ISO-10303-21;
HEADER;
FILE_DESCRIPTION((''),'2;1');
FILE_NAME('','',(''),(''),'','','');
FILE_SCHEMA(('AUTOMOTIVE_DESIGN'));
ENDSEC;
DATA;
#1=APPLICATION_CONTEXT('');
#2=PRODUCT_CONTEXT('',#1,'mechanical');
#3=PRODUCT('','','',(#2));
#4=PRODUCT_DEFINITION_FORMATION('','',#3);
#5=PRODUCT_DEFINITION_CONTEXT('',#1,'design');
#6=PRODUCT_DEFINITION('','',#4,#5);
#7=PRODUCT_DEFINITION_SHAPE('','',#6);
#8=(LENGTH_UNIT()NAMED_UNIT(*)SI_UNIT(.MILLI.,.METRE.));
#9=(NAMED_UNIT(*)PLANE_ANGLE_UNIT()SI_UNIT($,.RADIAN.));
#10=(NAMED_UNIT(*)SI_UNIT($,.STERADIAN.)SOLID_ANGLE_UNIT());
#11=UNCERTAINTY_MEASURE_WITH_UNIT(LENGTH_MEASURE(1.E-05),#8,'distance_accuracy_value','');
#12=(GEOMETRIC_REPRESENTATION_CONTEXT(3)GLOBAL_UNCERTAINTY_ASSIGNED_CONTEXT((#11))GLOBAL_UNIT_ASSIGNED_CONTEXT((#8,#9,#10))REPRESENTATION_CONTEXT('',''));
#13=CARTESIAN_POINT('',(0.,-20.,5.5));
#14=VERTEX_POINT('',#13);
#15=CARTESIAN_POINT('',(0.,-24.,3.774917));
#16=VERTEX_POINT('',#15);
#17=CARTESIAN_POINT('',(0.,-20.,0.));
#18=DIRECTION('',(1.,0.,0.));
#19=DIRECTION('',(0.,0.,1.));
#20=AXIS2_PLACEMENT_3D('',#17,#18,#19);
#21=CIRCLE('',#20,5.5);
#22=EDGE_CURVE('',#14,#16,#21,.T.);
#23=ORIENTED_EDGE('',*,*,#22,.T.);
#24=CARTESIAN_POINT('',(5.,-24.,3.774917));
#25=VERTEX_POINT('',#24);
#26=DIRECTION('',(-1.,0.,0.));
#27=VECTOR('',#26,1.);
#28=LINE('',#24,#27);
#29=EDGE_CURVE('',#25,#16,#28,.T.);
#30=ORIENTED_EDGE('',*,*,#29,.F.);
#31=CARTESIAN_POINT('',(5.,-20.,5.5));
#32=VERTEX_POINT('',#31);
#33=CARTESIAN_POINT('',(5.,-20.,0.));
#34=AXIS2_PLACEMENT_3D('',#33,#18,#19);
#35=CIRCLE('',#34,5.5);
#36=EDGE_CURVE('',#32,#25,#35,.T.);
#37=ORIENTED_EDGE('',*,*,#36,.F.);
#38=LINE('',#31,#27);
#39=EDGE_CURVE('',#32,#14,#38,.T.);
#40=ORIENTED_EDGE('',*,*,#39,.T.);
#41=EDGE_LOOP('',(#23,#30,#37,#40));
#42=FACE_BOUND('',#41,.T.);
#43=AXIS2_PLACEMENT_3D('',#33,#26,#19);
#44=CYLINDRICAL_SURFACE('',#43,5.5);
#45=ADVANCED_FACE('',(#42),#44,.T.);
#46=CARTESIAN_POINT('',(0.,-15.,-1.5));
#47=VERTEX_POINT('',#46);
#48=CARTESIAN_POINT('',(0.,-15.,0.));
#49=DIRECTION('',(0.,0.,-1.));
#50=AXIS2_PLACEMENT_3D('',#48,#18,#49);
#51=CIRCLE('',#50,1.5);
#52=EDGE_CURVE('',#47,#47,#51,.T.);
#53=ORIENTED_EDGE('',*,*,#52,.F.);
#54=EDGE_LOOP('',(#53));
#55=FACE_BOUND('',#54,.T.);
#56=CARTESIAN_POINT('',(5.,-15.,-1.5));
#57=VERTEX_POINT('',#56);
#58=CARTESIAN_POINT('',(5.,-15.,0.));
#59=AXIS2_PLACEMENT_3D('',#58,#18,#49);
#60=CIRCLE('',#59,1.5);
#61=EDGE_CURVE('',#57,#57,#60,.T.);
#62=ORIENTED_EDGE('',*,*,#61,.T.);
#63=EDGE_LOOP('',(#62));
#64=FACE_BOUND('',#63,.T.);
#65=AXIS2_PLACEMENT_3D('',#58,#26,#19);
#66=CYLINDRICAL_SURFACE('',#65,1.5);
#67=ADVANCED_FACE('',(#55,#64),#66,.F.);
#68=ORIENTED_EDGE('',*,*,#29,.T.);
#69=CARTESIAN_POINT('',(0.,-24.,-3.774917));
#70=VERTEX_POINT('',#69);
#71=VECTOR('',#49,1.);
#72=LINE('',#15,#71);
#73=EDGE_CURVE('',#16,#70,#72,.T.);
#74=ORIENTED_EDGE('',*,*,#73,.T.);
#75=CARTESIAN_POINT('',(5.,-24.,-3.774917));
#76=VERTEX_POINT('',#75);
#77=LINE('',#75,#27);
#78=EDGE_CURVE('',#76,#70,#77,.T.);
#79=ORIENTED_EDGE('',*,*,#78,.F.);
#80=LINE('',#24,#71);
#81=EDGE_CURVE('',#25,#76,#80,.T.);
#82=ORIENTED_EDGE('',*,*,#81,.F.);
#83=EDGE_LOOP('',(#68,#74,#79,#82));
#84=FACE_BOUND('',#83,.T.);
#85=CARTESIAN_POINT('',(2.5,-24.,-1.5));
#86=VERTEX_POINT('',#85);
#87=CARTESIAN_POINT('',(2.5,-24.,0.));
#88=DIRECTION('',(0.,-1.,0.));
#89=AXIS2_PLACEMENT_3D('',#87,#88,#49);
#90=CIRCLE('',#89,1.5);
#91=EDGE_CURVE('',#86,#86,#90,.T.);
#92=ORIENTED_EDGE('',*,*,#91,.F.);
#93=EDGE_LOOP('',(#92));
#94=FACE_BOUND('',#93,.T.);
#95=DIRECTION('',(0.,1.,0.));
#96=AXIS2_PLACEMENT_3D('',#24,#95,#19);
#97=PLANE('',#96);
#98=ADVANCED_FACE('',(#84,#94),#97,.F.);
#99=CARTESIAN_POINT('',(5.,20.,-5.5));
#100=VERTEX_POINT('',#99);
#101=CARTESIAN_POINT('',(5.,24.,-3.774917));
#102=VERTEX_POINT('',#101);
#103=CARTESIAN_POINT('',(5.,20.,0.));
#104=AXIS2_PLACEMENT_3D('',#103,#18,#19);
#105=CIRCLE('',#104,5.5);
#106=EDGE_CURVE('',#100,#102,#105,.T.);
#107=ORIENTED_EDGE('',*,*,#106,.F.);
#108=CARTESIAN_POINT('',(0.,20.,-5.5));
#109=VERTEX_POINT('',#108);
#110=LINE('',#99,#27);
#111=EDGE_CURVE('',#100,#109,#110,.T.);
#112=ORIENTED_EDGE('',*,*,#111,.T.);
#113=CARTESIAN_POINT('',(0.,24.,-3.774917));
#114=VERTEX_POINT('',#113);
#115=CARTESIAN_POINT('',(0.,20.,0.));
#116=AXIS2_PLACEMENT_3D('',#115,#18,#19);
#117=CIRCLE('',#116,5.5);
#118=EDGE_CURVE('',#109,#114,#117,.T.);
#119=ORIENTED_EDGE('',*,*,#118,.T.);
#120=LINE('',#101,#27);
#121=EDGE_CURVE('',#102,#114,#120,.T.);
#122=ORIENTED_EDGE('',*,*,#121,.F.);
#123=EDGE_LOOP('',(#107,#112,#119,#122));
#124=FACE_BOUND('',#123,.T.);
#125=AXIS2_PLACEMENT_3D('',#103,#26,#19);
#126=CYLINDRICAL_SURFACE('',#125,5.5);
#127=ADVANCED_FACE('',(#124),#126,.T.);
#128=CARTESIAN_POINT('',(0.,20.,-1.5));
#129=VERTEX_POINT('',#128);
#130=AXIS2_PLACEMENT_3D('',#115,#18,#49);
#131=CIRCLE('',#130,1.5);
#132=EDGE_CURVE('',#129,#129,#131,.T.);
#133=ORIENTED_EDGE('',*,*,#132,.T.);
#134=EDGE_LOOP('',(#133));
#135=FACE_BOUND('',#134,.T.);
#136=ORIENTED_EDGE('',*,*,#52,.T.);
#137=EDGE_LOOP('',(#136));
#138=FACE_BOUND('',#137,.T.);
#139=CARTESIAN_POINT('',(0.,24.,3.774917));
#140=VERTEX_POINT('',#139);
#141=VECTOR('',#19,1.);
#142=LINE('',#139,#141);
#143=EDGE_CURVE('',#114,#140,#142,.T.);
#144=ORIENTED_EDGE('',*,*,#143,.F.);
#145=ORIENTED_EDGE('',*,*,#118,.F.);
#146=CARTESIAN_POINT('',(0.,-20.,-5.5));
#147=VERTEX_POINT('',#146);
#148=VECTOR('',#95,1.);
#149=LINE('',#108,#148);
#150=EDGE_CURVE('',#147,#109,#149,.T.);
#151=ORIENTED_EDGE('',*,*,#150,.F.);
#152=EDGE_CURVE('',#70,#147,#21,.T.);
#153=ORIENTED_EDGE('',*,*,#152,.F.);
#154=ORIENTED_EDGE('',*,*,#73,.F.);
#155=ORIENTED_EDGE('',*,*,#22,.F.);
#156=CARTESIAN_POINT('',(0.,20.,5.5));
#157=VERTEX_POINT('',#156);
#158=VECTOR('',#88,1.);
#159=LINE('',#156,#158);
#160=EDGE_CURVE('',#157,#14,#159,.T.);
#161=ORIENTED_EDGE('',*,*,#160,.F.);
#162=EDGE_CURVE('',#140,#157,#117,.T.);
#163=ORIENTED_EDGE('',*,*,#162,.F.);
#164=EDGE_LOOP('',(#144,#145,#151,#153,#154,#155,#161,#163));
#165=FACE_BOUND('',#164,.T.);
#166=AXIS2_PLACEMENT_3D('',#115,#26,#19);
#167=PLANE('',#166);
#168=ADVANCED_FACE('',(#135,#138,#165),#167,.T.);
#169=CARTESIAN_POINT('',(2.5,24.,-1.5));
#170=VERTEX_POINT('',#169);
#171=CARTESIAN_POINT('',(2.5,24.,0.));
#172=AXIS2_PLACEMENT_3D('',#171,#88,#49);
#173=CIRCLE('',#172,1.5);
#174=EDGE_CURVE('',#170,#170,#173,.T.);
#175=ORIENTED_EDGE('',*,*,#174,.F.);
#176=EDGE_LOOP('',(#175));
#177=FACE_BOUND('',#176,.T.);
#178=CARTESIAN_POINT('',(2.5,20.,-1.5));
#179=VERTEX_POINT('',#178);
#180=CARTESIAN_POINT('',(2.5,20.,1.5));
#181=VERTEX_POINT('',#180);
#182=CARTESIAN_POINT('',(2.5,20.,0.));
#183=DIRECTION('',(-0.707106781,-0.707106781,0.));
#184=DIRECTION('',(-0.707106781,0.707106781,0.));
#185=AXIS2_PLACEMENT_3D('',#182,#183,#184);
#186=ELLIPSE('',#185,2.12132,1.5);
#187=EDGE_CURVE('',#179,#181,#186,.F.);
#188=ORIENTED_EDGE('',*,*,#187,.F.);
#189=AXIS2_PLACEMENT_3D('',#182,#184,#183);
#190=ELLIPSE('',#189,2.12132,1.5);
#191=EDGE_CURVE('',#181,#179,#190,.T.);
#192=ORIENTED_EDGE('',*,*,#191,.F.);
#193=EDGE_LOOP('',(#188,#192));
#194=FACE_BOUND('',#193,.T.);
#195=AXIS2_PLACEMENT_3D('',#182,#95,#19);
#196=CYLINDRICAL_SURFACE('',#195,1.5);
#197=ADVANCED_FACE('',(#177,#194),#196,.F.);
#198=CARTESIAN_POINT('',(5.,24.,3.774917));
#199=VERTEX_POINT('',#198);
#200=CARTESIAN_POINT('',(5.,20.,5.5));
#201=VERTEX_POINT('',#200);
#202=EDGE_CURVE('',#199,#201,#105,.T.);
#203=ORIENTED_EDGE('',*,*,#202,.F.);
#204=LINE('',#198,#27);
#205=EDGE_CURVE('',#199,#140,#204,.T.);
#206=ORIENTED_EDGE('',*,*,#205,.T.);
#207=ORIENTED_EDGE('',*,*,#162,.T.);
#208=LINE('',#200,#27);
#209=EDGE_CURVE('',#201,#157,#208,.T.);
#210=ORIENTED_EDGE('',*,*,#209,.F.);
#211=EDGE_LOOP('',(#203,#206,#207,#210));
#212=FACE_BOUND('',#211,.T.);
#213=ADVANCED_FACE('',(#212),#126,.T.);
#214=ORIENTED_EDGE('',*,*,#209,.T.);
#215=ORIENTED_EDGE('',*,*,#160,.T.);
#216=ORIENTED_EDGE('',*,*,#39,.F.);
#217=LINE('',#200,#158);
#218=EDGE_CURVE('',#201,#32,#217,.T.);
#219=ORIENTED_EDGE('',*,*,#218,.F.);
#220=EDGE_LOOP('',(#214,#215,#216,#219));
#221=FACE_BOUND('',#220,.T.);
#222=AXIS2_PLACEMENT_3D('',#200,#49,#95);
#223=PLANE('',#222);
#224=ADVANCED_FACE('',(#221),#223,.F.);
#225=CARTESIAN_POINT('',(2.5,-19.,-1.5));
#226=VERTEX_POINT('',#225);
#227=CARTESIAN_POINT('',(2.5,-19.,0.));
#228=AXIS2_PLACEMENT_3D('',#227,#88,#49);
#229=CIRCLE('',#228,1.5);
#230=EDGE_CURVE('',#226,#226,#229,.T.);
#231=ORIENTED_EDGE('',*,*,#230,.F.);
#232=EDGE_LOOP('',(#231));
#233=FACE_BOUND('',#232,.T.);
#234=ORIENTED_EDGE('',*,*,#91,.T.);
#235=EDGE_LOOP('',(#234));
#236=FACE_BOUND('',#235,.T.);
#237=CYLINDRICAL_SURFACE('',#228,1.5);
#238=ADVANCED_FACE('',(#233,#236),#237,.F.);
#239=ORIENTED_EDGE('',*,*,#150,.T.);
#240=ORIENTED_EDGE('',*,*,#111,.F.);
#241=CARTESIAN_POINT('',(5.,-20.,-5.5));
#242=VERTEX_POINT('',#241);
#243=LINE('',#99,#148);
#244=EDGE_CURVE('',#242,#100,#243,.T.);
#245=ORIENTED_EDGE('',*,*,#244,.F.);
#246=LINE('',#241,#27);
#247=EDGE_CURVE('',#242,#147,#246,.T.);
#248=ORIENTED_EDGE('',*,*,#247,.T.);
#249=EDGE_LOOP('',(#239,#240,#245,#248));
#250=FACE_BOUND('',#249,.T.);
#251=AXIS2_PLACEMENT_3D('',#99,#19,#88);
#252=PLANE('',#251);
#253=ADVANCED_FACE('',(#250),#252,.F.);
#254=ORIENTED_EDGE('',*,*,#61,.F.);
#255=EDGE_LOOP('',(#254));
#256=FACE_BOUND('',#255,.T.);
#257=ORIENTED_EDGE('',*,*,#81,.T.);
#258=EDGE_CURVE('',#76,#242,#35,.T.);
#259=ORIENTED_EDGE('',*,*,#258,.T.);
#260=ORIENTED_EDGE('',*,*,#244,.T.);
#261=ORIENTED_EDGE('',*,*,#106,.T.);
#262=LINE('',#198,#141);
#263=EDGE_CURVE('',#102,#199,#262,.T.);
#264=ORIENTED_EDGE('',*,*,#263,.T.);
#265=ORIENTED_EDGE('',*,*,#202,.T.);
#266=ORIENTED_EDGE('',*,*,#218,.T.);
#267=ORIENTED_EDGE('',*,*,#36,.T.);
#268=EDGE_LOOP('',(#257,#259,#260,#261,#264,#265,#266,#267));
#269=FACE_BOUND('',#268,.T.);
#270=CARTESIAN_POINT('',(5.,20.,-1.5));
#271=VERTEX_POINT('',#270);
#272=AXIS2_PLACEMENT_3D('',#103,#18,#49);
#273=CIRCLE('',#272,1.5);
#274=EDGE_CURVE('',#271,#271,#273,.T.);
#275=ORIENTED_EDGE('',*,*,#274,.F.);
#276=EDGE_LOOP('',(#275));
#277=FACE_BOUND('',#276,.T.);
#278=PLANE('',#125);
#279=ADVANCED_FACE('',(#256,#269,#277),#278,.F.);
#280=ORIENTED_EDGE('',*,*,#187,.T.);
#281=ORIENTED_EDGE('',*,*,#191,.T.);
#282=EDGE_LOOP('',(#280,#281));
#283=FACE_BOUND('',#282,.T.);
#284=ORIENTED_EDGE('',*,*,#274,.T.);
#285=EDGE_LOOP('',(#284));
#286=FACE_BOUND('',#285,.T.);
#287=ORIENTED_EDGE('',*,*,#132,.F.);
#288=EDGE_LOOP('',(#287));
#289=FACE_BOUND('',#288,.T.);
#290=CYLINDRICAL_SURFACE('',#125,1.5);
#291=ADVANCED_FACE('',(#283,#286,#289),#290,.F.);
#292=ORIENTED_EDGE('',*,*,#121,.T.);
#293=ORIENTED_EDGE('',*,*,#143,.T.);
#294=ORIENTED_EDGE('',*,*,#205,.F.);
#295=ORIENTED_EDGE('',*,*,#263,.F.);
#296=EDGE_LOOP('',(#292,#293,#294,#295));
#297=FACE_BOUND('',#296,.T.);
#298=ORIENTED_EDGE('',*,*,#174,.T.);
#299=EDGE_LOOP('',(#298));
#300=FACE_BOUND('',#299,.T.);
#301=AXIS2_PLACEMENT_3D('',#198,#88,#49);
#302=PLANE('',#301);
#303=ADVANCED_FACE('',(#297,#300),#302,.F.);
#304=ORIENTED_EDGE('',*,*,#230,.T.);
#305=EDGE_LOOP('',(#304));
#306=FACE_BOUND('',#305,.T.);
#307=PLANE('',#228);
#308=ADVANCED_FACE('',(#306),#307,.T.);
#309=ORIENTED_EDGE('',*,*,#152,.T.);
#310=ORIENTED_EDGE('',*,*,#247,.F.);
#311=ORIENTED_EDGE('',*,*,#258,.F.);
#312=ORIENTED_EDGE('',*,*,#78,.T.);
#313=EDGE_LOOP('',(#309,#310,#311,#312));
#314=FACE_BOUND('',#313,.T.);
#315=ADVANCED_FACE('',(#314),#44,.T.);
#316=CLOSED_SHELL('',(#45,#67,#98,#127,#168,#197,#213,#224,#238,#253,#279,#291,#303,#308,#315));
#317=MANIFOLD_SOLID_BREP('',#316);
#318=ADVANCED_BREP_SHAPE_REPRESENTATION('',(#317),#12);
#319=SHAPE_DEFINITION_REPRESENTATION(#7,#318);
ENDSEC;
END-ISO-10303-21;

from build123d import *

# Parameters (mm, degrees)
SKETCH1_R           = 1.5
BOSS_EXTRUDE1_DEPTH = 5
SKETCH2_R           = 1.5
CUT_EXTRUDE1_DEPTH  = 5
CUT_EXTRUDE2_START  = -44
SKETCH2_2_R         = 1.5
CUT_EXTRUDE2_DEPTH  = 4


with BuildPart() as part:
    # Sketch1 → Boss-Extrude1 (new body)
    with BuildSketch(Plane(origin=(0, 0, 0), x_dir=(0, 0, -1), z_dir=(1, 0, 0))):
        with BuildLine():
            Line((-5.5, 20), (-5.5, -20))
            ThreePointArc((-5.5, -20), (-5.050348735, -22.178067412), (-3.774917218, -24))
            Line((-3.774917218, -24), (3.774917218, -24))
            ThreePointArc((3.774917218, -24), (5.050348735, -22.178067412), (5.5, -20))
            Line((5.5, -20), (5.5, 20))
            ThreePointArc((5.5, 20), (5.050348735, 22.178067412), (3.774917218, 24))
            Line((3.774917218, 24), (-3.774917218, 24))
            ThreePointArc((-3.774917218, 24), (-5.050348735, 22.178067412), (-5.5, 20))
        make_face()
        with Locations((0, 20)):
            Circle(SKETCH1_R, mode=Mode.SUBTRACT)
        with Locations((0, -15)):
            Circle(SKETCH1_R, mode=Mode.SUBTRACT)
    extrude(amount=BOSS_EXTRUDE1_DEPTH)

    # Sketch2 → Cut-Extrude1 (cut)
    with BuildSketch(Plane.XZ.offset(24)):
        with Locations(Location((2.5, 0, 0), (0, 0, 270))):
            Circle(SKETCH2_R)
    extrude(amount=-CUT_EXTRUDE1_DEPTH, mode=Mode.SUBTRACT)

    # Sketch2<2> → Cut-Extrude2 (cut)
    with BuildSketch(Plane.XZ.offset(24).offset(CUT_EXTRUDE2_START)):
        with Locations(Location((2.5, 0, 0), (0, 0, 270))):
            Circle(SKETCH2_2_R)
    extrude(amount=-CUT_EXTRUDE2_DEPTH, mode=Mode.SUBTRACT)


solid = part.part
